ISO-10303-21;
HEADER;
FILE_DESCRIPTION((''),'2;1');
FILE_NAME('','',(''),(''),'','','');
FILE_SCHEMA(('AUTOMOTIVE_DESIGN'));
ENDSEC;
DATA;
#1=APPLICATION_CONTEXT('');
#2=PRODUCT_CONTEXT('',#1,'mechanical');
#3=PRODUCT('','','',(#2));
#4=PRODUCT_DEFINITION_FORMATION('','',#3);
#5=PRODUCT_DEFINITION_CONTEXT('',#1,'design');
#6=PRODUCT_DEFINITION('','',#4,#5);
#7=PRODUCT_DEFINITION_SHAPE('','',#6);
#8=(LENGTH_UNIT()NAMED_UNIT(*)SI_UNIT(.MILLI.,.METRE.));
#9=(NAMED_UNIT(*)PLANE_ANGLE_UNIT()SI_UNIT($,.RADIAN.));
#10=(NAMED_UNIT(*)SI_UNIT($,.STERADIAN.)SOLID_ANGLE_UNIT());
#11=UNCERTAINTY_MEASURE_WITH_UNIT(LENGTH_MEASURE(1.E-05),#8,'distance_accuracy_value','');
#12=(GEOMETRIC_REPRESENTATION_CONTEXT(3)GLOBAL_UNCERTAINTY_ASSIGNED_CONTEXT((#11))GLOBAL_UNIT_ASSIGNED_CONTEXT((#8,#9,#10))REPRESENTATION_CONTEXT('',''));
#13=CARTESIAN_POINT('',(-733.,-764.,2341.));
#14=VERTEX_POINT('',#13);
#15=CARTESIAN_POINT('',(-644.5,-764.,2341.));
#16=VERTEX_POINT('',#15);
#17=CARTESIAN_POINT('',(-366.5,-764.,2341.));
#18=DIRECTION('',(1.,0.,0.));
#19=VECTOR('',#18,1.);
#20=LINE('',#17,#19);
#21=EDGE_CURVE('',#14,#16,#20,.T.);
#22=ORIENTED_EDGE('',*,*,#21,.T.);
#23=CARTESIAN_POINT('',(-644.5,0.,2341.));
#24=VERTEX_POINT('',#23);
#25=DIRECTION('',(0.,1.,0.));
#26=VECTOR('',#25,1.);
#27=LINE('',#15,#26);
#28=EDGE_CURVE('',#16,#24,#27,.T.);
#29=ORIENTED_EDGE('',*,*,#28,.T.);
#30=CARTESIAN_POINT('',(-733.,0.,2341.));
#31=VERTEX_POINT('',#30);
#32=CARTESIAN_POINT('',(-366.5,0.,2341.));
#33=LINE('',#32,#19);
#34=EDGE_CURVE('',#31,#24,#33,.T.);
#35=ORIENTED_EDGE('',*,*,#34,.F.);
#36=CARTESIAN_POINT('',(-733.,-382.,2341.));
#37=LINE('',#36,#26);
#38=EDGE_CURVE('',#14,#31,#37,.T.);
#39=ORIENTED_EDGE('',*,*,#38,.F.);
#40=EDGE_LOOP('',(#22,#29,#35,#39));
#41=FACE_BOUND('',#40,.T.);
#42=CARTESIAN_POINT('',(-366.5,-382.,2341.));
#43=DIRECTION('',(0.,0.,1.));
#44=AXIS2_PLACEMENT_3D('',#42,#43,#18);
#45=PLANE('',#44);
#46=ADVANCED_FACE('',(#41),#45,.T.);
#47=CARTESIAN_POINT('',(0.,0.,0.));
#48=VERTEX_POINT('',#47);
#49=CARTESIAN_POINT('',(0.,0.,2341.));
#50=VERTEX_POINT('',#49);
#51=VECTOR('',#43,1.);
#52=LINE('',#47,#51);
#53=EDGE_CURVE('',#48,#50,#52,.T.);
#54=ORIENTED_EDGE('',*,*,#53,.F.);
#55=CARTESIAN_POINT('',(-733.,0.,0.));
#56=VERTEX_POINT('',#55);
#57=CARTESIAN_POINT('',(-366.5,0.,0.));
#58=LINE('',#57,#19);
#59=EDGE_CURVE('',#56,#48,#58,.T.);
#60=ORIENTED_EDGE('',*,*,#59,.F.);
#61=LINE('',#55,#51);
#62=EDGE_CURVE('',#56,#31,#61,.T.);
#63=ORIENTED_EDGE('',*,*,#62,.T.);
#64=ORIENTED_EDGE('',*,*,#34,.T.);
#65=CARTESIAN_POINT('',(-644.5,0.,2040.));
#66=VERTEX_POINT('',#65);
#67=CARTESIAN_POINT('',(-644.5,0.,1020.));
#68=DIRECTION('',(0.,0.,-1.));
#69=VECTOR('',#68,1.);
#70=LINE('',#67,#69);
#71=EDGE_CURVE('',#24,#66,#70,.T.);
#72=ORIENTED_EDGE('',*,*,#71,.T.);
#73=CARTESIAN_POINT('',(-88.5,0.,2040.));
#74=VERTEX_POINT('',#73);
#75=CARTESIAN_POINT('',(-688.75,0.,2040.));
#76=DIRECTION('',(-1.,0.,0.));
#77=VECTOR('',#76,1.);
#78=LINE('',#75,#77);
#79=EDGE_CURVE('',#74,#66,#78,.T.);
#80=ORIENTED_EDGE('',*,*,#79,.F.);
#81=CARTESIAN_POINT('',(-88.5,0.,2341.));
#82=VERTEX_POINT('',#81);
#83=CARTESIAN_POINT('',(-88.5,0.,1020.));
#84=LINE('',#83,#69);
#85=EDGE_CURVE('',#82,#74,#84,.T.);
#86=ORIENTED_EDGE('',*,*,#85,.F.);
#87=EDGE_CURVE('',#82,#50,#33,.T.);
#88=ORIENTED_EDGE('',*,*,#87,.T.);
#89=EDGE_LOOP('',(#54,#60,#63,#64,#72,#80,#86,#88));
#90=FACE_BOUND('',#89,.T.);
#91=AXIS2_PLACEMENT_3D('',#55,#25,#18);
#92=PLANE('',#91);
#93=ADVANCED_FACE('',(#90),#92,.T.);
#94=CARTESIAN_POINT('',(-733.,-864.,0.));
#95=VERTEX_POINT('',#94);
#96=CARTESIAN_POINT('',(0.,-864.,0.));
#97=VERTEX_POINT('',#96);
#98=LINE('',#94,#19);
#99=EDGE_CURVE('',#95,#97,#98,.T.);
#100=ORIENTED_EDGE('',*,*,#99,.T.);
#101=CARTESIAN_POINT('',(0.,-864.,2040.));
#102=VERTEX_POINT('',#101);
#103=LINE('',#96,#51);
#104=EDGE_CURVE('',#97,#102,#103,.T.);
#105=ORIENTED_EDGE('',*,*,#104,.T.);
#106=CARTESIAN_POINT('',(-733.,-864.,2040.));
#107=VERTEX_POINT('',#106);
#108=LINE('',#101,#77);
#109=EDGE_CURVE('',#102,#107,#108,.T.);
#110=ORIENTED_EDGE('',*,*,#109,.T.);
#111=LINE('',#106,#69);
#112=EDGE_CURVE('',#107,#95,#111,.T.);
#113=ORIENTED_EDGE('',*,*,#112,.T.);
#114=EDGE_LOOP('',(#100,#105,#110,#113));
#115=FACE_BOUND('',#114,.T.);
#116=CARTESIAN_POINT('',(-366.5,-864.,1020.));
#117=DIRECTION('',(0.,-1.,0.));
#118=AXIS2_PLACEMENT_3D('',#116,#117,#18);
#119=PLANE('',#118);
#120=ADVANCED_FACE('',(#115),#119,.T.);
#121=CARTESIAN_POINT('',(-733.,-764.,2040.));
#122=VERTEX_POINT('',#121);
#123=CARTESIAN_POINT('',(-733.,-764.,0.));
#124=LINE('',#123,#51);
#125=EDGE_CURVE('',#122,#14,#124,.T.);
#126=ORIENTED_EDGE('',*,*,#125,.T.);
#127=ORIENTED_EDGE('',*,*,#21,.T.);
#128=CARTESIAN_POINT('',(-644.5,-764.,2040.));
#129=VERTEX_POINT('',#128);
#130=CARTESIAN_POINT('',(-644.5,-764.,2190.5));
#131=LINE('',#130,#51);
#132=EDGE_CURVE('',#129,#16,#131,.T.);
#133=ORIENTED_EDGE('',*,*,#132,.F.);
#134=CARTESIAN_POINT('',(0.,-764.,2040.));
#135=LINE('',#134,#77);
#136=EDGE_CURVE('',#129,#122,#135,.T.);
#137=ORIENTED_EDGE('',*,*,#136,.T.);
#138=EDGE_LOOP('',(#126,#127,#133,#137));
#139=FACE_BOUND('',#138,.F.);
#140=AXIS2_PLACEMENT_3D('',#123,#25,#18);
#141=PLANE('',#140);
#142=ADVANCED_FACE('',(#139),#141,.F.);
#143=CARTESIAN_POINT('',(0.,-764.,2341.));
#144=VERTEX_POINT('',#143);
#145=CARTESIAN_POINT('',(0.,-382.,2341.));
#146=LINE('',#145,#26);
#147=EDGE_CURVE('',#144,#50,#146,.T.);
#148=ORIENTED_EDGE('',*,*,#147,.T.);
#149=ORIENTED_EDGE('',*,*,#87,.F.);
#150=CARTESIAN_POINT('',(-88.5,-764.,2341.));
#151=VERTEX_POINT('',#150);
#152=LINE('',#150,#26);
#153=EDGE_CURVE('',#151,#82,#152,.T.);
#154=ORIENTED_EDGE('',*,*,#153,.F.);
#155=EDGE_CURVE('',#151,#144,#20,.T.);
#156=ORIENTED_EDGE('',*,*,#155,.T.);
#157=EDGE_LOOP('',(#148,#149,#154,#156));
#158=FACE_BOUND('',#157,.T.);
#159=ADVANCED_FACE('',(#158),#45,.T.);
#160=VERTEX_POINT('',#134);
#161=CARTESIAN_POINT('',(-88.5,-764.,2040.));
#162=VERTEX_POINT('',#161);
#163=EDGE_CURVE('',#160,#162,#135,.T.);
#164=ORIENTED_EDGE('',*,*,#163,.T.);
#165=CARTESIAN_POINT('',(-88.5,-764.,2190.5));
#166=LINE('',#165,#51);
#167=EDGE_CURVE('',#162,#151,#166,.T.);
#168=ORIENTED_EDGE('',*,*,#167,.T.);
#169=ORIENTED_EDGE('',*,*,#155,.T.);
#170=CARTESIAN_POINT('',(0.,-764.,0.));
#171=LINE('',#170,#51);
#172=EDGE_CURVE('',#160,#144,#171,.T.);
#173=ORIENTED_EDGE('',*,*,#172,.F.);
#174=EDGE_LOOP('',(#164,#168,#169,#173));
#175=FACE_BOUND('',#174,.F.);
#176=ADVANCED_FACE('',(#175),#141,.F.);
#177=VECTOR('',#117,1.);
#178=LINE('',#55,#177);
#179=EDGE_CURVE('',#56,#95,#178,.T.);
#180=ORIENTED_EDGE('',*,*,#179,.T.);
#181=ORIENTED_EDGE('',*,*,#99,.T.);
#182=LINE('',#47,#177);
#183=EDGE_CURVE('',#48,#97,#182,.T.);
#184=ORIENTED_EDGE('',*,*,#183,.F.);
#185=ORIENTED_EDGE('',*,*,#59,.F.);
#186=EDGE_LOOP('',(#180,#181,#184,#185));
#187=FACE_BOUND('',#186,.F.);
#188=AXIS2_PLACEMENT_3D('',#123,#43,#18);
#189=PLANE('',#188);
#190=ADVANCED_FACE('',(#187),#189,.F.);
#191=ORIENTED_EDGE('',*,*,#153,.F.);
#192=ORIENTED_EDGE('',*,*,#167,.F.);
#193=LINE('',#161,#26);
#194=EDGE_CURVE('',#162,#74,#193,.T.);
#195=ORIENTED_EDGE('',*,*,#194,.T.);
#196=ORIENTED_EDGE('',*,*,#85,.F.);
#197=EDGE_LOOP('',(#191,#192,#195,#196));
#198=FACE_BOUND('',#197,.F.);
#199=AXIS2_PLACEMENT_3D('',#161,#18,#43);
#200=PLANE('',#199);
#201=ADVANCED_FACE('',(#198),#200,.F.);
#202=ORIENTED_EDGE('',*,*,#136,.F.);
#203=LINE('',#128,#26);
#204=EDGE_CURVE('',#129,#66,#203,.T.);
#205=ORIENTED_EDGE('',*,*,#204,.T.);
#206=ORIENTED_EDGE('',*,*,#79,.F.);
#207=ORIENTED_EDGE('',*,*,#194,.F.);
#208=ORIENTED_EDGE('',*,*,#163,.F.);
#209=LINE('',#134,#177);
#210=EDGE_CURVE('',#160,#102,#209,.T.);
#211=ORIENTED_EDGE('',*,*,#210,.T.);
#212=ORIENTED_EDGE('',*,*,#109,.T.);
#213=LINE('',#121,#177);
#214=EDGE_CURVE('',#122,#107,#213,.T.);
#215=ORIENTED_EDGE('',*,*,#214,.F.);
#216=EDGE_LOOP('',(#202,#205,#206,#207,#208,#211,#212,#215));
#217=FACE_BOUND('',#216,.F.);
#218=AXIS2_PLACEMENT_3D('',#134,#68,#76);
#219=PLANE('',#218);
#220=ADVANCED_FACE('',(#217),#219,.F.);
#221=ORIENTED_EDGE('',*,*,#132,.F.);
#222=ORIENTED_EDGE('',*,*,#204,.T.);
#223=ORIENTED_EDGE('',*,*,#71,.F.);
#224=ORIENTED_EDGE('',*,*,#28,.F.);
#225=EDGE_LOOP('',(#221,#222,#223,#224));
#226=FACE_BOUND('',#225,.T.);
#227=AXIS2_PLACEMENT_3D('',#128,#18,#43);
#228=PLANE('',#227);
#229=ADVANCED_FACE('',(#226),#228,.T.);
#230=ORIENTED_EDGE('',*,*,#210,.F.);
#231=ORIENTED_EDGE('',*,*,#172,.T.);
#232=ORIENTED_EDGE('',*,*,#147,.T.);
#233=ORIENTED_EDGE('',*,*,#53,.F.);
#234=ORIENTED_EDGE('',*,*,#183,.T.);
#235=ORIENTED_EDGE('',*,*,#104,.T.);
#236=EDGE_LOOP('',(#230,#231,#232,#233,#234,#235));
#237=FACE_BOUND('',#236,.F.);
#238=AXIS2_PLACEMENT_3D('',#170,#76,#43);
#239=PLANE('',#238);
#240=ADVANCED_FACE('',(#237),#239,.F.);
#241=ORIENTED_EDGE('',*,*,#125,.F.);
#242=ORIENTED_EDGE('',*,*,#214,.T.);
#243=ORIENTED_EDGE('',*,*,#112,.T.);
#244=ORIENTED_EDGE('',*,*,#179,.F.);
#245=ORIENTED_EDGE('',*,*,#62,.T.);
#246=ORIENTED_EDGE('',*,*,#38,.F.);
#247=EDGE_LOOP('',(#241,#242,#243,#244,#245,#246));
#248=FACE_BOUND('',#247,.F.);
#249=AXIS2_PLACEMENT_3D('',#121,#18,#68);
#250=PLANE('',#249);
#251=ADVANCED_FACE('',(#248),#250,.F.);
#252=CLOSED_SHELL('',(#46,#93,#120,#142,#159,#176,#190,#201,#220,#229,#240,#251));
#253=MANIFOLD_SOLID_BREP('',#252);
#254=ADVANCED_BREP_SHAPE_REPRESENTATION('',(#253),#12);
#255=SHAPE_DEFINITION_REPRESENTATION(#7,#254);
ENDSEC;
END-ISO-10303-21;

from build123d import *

# Parameters (mm, degrees)
F0_W     = 733
F0_H     = 764
F1_DEPTH = 2341
F2_W     = 556
F2_H     = 301
F3_DEPTH = 764.001
F5_DEPTH = 100


with BuildPart() as f1:
    # F0 (on Top) → F1 (new body)
    with BuildSketch(Plane.XY):
        with Locations((-366.5, -382)):
            Rectangle(F0_W, F0_H)
    extrude(amount=F1_DEPTH)

    # F2 (on face) → F3 (cut, through all)
    with BuildSketch(Plane.XZ.offset(764)):
        with Locations((-366.5, 2190.5)):
            Rectangle(F2_W, F2_H)
    extrude(amount=-F3_DEPTH, mode=Mode.SUBTRACT)

    # F4 (on face) → F5 (join)
    with BuildSketch(Plane.XZ.offset(764)):
        Polygon((-733, 2040), (-733, 0), (0, 0), (0, 2040), (-88.5, 2040), (-644.5, 2040), align=None)
    extrude(amount=F5_DEPTH)


solid = f1.part
